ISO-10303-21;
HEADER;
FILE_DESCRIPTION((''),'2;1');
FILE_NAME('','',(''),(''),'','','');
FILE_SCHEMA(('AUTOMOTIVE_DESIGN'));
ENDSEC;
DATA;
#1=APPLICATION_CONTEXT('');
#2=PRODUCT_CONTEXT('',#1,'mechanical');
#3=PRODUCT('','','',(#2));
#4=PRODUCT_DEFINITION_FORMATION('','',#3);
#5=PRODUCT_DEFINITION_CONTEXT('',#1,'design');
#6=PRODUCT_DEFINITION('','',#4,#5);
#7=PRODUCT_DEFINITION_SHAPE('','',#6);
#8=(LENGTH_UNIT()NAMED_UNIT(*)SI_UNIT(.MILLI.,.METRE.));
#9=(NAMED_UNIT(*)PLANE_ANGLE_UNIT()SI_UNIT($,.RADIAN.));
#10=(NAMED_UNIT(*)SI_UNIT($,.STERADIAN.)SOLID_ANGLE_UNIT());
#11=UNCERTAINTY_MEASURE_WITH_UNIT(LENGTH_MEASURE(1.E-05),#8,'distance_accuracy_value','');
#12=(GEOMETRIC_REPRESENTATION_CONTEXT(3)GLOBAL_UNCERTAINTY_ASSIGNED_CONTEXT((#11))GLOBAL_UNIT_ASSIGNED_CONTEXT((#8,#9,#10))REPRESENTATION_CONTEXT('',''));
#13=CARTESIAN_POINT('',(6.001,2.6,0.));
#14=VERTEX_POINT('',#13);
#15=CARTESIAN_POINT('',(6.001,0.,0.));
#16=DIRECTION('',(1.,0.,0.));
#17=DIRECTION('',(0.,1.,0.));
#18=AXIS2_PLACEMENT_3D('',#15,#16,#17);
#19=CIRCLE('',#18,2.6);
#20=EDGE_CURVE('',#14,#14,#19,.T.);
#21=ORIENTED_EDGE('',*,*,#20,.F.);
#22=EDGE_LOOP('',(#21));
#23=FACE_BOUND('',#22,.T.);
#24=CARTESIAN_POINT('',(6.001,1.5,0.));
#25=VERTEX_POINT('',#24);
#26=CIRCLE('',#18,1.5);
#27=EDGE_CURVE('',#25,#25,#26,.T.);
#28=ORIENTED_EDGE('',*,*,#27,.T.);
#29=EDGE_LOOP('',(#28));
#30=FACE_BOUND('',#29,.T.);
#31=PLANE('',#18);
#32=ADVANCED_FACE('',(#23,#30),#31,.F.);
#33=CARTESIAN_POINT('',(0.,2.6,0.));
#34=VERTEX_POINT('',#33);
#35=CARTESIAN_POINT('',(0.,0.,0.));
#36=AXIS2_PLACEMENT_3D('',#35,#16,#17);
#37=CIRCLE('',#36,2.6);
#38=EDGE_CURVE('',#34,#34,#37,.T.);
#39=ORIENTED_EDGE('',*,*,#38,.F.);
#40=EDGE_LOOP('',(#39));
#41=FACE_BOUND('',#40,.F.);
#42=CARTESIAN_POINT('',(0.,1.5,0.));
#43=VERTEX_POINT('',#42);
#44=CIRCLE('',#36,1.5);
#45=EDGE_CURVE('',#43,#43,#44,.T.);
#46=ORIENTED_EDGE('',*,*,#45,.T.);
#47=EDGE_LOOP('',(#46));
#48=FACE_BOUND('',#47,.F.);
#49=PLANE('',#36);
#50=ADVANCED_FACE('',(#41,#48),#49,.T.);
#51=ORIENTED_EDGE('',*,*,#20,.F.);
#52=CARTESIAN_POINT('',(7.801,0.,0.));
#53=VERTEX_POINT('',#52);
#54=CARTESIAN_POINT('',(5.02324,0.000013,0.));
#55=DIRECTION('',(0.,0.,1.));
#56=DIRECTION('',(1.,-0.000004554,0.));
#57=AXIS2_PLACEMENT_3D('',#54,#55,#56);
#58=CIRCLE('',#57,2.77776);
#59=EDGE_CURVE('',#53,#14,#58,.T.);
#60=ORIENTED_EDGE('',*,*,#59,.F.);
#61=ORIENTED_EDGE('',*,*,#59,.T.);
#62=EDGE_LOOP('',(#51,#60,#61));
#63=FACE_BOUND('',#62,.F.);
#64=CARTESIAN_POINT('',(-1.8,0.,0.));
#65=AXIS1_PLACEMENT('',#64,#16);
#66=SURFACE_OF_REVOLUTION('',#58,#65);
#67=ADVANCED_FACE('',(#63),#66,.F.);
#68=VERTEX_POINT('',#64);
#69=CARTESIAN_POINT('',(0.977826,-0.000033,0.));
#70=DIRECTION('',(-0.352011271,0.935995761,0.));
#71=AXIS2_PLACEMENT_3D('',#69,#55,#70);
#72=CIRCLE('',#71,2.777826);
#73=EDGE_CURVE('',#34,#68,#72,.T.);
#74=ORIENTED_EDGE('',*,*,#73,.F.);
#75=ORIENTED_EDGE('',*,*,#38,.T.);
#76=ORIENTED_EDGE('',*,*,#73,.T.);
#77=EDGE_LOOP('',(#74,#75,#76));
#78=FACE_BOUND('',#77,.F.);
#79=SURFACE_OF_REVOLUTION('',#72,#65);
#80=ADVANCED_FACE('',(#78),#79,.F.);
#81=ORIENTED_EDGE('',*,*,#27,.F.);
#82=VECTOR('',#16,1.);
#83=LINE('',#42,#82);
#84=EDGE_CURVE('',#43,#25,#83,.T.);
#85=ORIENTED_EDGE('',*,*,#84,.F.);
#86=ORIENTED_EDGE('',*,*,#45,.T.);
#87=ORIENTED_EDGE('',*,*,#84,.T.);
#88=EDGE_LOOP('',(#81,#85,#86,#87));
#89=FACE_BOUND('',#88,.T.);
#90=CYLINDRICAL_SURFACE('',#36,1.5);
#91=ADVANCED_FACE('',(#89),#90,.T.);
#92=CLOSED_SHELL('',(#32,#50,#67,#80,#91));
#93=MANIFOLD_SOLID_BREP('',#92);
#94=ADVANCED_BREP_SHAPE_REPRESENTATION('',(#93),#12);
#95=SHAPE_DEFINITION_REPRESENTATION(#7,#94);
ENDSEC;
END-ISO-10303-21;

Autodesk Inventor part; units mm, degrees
ref_plane "YZ Plane" through (0, 0, 0) normal (1, 0, 0) x (0, 1, 0)
ref_plane "XZ Plane" through (0, 0, 0) normal (0, 1, 0) x (-1, 0, 0)
ref_plane "XY Plane" through (0, 0, 0) normal (0, 0, 1) x (1, 0, 0)
sketch "Sketch" plane through (0, 0, 0) normal (0, 0, 1) x (1, 0, 0)
  line L0 (0, 1.5) -> (6.001, 1.5)
  line L1 (6.001, 1.5) -> (6.001, 2.6)
  line L2 (0, 1.5) -> (0, 2.6)
  line L3 (-1.8, 0) -> (7.801, 0)
  line L4 (-1.2309, 0) -> (2.2319, 0) projected
  line L5 (0, -0.1982) -> (0, 1.189) projected
  arc A0 (0, 2.6) -> (-1.8, 0) centre (0.9778, 0) ccw
  arc A1 (7.801, 0) -> (6.001, 2.6) centre (5.0232, 0) ccw
  dimension "d0" = 3
  dimension "d1" = 6.001
  dimension "d2" = 5.2
  dimension "d3" = 1.8
  dimension "d4" = 5.2
  dimension "d5" = 1.8
revolve "Body" add sketch "Sketch" angle 360 about axis through (-1.8, 0, 0) along (1, 0, 0)
equation "\"d0\" = NND1"
equation "\"d2\" = KOD"
equation "\"d3\" = KOH"
equation "\"d4\" = KOD1"
equation "\"d5\" = KOH1"
equation "\"KOH\" = 1.8"
equation "\"KOH1\" = KOH"
equation "\"KOD\" = 5.2"
equation "\"KOD1\" = KOD"
equation "\"NND1\" = NND"
equation "\"KLG\" = 6"
equation "\"NLG\" = 12"
equation "\"KLGMIN\" = 0.001"
equation "\"NND\" = 3"
equation "\"KLGMAX\" = 7.5"
properties part number "DIN 660 - A 3 x 12" material "Steel, Mild"
